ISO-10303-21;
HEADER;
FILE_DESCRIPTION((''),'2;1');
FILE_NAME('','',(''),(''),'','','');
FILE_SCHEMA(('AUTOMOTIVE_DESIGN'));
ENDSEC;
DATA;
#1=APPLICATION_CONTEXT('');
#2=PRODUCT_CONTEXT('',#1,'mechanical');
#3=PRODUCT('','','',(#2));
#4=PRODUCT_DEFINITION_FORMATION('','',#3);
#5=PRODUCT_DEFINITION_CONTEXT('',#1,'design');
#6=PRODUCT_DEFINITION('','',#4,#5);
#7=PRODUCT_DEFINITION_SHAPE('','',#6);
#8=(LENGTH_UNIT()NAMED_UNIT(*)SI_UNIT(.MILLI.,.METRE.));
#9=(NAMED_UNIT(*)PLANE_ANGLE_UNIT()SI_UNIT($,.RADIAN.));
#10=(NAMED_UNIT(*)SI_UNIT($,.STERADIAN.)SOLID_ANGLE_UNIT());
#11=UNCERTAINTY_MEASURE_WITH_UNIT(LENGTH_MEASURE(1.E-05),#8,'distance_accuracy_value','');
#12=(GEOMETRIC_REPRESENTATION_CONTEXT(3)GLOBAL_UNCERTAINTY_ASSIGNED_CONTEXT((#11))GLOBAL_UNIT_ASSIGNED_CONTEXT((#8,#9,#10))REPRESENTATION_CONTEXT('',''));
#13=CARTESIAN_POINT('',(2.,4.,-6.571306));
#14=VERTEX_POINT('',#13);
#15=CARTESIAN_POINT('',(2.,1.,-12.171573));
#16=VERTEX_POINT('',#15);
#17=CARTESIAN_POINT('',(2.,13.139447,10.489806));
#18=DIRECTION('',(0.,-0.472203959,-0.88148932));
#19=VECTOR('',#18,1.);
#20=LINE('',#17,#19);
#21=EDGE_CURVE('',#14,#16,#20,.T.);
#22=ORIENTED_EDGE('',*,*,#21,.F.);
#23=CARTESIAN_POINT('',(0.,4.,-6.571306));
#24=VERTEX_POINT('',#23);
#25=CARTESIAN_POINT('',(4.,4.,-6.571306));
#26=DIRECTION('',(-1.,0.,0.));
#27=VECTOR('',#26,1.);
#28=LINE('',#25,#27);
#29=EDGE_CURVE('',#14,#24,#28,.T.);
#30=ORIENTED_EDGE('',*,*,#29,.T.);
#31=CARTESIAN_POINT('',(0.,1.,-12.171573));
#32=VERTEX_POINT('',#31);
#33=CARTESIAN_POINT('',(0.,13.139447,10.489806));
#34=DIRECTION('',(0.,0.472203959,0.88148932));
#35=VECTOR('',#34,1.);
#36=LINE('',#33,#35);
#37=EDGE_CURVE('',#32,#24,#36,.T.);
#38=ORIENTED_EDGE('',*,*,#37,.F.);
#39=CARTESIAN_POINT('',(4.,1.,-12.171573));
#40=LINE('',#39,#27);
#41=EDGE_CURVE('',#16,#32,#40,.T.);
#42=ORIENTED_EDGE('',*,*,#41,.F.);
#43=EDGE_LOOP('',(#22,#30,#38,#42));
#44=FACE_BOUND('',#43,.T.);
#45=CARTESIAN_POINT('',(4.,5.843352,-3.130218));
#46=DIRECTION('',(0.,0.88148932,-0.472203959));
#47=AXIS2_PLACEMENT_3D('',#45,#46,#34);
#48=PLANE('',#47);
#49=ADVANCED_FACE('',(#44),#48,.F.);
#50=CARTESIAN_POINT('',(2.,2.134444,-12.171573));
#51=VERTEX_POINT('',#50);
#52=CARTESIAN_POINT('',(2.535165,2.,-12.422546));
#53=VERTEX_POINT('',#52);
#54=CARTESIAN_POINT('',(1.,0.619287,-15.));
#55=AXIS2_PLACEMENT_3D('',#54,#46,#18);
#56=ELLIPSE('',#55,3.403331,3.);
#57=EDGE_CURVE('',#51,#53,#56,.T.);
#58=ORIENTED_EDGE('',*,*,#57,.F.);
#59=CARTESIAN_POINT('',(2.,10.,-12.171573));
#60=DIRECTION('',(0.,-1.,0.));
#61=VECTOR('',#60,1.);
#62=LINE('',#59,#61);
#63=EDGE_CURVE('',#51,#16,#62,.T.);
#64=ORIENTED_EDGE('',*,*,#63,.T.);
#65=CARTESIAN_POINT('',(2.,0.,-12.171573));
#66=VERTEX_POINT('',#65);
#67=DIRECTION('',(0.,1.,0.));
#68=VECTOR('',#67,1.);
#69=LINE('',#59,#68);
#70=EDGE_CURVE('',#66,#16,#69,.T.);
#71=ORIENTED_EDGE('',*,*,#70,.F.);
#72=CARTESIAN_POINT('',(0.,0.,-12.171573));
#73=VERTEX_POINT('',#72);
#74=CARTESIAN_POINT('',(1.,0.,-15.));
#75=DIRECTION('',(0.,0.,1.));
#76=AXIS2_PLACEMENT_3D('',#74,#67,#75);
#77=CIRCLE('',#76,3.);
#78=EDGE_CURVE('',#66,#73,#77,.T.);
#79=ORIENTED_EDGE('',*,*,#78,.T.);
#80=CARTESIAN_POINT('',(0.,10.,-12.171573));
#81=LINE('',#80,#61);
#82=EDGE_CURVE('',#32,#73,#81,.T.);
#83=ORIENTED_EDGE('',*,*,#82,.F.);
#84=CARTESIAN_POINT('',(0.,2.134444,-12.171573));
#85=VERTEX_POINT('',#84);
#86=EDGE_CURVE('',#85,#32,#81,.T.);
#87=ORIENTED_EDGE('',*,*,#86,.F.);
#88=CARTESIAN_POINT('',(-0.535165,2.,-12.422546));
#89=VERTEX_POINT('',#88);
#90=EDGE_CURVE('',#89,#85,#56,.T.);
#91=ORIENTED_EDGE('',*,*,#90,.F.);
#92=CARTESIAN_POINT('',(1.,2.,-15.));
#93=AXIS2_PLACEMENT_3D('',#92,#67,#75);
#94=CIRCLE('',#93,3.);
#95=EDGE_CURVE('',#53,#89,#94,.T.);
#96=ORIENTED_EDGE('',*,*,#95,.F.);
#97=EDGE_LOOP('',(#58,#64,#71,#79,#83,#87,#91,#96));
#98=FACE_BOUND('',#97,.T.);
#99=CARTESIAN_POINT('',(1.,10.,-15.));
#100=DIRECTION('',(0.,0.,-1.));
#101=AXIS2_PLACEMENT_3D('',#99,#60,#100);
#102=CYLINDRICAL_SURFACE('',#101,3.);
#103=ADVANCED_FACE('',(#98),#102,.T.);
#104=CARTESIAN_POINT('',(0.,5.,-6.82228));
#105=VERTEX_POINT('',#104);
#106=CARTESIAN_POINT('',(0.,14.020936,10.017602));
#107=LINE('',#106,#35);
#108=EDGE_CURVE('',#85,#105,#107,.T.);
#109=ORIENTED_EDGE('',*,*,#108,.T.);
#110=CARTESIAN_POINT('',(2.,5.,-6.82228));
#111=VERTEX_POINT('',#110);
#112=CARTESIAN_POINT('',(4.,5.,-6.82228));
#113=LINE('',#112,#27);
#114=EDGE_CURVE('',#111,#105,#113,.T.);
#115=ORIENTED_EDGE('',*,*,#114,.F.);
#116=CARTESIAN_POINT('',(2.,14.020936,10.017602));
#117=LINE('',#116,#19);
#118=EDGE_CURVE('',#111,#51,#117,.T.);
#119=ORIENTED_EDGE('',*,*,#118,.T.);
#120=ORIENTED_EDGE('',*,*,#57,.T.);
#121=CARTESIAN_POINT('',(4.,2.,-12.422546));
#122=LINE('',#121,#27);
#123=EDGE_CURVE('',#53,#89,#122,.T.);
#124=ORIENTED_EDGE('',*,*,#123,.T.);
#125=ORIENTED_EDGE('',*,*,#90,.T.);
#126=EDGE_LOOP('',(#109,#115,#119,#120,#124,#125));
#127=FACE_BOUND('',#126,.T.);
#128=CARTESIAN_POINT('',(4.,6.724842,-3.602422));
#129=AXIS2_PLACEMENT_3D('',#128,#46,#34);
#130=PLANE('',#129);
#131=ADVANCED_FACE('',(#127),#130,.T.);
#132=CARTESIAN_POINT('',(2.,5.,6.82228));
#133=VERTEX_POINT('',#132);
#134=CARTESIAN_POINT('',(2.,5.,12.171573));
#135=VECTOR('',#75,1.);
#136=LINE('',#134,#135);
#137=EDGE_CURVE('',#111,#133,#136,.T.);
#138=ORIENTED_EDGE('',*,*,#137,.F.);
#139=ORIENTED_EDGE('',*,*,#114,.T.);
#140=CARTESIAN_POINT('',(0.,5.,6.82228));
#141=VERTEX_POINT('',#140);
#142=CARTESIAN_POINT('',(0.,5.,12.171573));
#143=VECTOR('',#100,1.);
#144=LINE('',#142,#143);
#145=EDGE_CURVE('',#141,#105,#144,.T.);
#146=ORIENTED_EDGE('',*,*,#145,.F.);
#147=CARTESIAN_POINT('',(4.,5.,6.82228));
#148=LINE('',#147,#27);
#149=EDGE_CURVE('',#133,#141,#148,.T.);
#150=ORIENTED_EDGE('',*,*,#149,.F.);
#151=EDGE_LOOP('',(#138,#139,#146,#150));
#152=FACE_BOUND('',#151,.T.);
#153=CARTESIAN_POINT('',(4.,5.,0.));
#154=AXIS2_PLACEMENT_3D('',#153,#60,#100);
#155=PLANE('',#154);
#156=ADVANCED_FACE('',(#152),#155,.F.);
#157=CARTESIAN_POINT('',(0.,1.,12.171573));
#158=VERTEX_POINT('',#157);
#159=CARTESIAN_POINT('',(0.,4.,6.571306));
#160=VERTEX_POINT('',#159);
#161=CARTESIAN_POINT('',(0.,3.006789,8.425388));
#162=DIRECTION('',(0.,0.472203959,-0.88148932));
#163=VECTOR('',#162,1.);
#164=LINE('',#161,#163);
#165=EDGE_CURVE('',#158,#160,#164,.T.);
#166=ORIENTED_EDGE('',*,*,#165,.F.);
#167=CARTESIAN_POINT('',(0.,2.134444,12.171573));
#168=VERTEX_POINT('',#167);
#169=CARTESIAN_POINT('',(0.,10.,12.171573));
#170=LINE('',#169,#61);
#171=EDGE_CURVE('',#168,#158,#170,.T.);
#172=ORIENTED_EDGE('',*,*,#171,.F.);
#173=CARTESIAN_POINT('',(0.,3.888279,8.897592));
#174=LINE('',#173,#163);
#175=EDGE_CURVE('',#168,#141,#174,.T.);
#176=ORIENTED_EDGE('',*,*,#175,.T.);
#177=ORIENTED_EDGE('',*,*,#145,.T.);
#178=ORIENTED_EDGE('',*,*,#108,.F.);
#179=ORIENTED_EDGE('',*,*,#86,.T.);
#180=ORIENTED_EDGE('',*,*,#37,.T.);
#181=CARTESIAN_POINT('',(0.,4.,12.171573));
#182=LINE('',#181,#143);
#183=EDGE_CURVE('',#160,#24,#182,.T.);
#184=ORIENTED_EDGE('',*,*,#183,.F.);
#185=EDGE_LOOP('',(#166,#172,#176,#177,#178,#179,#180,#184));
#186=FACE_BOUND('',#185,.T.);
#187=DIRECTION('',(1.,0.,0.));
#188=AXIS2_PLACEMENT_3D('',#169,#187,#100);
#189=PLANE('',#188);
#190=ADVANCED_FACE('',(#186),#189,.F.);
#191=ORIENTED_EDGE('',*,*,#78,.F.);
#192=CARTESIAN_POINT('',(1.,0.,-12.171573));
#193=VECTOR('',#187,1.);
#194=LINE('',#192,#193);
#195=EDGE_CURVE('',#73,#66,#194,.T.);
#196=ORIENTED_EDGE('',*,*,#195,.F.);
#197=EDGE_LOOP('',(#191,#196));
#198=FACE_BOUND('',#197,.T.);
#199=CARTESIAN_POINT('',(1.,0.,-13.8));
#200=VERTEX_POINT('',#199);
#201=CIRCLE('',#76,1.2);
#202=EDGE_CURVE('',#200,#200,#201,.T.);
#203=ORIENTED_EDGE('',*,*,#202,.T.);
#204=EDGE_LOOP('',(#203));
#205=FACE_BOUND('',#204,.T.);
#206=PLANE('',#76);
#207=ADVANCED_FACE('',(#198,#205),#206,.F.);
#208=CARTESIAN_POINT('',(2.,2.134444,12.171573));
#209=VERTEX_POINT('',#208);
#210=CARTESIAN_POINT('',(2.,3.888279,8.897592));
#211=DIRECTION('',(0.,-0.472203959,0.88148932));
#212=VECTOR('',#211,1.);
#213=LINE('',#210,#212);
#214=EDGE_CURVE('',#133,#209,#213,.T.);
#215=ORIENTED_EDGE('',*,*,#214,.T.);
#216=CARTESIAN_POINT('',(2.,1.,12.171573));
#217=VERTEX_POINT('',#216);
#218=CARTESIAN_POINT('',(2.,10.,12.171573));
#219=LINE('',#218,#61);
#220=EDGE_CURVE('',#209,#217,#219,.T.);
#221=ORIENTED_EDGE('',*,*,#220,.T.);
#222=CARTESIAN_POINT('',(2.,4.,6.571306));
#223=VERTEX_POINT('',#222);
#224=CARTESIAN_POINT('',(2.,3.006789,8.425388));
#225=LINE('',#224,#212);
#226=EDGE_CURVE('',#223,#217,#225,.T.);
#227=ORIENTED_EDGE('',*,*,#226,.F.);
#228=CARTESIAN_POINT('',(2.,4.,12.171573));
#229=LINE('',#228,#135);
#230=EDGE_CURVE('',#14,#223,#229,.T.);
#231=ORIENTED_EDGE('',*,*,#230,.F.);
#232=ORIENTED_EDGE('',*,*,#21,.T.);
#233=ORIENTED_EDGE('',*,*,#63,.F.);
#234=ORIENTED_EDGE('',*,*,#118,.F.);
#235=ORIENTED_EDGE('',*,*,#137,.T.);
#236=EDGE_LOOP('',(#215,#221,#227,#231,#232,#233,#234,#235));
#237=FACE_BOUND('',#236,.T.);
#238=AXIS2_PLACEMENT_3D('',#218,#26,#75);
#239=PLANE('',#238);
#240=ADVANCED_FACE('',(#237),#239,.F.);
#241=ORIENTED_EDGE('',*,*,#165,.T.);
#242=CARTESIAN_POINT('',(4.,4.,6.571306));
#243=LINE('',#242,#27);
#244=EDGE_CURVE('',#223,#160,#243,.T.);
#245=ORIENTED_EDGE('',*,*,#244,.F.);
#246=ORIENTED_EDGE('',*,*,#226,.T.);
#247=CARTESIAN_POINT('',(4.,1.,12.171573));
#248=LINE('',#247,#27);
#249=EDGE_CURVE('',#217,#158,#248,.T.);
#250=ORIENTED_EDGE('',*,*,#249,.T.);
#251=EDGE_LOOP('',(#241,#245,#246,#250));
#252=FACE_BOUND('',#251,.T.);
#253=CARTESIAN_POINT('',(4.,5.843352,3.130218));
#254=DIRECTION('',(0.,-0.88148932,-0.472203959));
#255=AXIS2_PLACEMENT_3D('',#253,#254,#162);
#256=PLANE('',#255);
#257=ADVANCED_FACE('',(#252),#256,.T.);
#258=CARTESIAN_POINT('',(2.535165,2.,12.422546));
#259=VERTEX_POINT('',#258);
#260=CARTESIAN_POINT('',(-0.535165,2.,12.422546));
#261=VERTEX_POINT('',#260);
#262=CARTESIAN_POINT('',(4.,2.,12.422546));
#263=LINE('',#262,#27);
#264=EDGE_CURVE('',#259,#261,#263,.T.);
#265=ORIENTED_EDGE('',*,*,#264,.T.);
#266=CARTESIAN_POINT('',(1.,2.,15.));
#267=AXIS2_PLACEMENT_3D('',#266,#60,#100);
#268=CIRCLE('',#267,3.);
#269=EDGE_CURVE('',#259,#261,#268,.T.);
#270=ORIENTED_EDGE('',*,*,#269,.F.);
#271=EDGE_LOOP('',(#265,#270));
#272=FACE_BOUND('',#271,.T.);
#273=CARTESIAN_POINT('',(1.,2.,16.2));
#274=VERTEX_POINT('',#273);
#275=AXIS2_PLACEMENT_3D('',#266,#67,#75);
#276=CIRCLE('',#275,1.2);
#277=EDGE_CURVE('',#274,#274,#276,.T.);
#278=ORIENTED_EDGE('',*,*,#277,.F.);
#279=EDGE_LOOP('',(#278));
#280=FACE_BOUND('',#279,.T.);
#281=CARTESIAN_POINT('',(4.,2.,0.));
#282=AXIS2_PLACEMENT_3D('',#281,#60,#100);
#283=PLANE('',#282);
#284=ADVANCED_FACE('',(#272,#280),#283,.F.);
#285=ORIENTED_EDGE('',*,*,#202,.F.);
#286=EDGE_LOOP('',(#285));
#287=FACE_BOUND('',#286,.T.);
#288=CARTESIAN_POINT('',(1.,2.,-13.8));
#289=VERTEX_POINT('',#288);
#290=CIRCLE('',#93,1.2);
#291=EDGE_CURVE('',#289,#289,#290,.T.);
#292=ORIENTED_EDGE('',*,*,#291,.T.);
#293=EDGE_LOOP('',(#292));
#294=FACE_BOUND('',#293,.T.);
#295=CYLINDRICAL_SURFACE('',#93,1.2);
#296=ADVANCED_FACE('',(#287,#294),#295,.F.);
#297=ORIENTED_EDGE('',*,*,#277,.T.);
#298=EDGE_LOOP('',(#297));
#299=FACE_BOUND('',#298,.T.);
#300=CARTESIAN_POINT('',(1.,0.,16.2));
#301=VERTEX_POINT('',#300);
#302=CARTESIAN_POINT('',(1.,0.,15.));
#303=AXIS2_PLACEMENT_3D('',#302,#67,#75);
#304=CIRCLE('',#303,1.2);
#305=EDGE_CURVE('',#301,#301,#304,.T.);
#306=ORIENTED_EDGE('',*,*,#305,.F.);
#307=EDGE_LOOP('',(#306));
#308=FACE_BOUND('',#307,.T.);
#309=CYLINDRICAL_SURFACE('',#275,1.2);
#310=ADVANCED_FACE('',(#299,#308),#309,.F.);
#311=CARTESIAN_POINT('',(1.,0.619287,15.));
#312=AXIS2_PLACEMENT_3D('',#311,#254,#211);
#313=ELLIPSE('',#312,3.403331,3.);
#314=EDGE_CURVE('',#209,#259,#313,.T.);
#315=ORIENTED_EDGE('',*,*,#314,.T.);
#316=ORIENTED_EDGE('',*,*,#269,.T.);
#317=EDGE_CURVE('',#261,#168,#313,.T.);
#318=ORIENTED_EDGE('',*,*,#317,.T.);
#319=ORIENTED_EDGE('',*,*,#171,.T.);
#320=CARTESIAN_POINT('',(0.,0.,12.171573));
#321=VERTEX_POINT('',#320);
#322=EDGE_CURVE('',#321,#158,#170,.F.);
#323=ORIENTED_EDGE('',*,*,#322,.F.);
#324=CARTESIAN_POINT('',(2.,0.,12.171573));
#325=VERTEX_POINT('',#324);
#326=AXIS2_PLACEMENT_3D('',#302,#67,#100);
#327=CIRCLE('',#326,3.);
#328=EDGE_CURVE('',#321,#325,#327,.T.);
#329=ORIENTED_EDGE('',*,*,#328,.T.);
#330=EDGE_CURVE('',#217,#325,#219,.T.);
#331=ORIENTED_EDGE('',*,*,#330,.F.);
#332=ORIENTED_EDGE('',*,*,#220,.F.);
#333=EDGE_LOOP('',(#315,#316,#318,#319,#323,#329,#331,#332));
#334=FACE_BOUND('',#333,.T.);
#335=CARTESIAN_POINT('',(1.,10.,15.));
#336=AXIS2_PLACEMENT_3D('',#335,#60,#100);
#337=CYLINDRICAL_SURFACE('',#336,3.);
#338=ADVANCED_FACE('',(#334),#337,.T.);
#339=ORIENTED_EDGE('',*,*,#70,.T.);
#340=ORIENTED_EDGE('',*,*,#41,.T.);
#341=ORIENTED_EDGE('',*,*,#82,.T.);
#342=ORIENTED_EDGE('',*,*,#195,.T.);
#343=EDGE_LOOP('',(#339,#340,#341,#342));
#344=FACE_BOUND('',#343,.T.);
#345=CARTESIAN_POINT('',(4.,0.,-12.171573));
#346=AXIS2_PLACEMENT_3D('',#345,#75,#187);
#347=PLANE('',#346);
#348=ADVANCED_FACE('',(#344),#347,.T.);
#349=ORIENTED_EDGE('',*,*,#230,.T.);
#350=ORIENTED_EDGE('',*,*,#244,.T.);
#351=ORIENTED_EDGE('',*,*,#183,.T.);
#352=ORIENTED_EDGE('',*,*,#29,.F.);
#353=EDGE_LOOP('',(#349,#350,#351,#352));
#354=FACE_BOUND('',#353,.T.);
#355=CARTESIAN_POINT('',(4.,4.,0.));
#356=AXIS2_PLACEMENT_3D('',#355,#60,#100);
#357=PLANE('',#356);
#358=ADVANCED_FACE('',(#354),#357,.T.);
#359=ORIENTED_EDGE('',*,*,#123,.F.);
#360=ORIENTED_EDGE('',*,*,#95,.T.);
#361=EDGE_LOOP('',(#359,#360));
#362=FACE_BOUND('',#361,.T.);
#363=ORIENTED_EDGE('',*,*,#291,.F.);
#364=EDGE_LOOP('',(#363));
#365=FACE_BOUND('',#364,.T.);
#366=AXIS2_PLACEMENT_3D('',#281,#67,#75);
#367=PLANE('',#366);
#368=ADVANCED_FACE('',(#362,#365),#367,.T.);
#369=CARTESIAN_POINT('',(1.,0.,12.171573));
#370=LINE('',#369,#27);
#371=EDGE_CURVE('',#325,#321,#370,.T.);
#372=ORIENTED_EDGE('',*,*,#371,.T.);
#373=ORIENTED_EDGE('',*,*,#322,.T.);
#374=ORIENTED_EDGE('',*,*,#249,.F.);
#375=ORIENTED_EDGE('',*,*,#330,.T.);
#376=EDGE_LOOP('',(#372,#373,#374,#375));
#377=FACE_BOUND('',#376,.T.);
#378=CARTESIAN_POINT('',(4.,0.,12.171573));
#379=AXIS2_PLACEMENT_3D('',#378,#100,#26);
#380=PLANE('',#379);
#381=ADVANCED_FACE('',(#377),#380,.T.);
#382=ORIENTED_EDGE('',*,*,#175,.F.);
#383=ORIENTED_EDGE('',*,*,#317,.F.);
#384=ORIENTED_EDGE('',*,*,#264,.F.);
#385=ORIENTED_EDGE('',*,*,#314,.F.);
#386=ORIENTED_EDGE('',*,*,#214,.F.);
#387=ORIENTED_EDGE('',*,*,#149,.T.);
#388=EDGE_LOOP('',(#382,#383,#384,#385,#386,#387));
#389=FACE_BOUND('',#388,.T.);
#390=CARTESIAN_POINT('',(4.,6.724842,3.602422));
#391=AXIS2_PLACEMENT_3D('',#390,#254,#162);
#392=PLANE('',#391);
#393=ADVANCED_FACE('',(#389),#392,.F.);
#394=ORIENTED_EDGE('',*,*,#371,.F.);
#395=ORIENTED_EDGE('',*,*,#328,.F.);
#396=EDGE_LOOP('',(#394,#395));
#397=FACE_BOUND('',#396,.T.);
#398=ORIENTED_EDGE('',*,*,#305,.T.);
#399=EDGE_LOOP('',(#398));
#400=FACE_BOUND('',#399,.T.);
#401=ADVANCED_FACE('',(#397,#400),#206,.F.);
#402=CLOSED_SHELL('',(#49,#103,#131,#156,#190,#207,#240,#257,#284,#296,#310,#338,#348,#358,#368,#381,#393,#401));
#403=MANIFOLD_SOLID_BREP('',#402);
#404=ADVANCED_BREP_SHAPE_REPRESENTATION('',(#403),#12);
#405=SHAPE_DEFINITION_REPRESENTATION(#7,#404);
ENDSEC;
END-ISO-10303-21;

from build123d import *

# Parameters (mm, degrees)
BOSS_EXTRUDE1_DEPTH     = 10
CUT_EXTRUDE1_DEPTH      = 21.976176963
CUT_EXTRUDE1_DEPTH_BACK = 10
SKETCH2_OUTSIDE_W       = 45.568
SKETCH2_OUTSIDE_H       = 19.568
M2_CLEARANCE_HOLE1_D    = 2.4


with BuildPart() as part:
    # Sketch1 → Boss-Extrude1 (new body)
    with BuildSketch(Plane(origin=(0, 0, 0), x_dir=(1, 0, 0), z_dir=(0, 1, 0))):
        with BuildLine():
            Line((2, -12.171572875), (2, 12.171572875))
            ThreePointArc((2, 12.171572875), (1, 18), (0, 12.171572875))
            Line((0, 12.171572875), (0, -12.171572875))
            ThreePointArc((0, -12.171572875), (1, -18), (2, -12.171572875))
        make_face()
    extrude(amount=BOSS_EXTRUDE1_DEPTH)

    # Sketch2 outside → Cut-Extrude1 (cut, two sides: drawn at the far end of the back side and taken through both)
    with BuildSketch(Plane(origin=(2, 0, 0), x_dir=(0, 0, -1), z_dir=(1, 0, 0)).offset(-CUT_EXTRUDE1_DEPTH_BACK)):
        with Locations((0, 5)):
            Rectangle(SKETCH2_OUTSIDE_W, SKETCH2_OUTSIDE_H)
        Polygon((6.57130649, 4), (-6.57130649, 4), (-12.171572875, 1), (-12.171572875, 0), (-18, 0), (-18, 2), (-12.422546375, 2), (-6.822279989, 5), (6.822279989, 5), (12.422546375, 2), (18, 2), (18, 0), (12.171572875, 0), (12.171572875, 1), align=None, mode=Mode.SUBTRACT)
    extrude(amount=CUT_EXTRUDE1_DEPTH + CUT_EXTRUDE1_DEPTH_BACK, mode=Mode.SUBTRACT)

    # M2 Clearance Hole1 (through all)
    with Locations(Plane(origin=(0, 2, 0), x_dir=(1, 0, 0), z_dir=(0, 1, 0))):
        with Locations((1, 15), (1, -15)):
            Hole(M2_CLEARANCE_HOLE1_D / 2)


solid = part.part
